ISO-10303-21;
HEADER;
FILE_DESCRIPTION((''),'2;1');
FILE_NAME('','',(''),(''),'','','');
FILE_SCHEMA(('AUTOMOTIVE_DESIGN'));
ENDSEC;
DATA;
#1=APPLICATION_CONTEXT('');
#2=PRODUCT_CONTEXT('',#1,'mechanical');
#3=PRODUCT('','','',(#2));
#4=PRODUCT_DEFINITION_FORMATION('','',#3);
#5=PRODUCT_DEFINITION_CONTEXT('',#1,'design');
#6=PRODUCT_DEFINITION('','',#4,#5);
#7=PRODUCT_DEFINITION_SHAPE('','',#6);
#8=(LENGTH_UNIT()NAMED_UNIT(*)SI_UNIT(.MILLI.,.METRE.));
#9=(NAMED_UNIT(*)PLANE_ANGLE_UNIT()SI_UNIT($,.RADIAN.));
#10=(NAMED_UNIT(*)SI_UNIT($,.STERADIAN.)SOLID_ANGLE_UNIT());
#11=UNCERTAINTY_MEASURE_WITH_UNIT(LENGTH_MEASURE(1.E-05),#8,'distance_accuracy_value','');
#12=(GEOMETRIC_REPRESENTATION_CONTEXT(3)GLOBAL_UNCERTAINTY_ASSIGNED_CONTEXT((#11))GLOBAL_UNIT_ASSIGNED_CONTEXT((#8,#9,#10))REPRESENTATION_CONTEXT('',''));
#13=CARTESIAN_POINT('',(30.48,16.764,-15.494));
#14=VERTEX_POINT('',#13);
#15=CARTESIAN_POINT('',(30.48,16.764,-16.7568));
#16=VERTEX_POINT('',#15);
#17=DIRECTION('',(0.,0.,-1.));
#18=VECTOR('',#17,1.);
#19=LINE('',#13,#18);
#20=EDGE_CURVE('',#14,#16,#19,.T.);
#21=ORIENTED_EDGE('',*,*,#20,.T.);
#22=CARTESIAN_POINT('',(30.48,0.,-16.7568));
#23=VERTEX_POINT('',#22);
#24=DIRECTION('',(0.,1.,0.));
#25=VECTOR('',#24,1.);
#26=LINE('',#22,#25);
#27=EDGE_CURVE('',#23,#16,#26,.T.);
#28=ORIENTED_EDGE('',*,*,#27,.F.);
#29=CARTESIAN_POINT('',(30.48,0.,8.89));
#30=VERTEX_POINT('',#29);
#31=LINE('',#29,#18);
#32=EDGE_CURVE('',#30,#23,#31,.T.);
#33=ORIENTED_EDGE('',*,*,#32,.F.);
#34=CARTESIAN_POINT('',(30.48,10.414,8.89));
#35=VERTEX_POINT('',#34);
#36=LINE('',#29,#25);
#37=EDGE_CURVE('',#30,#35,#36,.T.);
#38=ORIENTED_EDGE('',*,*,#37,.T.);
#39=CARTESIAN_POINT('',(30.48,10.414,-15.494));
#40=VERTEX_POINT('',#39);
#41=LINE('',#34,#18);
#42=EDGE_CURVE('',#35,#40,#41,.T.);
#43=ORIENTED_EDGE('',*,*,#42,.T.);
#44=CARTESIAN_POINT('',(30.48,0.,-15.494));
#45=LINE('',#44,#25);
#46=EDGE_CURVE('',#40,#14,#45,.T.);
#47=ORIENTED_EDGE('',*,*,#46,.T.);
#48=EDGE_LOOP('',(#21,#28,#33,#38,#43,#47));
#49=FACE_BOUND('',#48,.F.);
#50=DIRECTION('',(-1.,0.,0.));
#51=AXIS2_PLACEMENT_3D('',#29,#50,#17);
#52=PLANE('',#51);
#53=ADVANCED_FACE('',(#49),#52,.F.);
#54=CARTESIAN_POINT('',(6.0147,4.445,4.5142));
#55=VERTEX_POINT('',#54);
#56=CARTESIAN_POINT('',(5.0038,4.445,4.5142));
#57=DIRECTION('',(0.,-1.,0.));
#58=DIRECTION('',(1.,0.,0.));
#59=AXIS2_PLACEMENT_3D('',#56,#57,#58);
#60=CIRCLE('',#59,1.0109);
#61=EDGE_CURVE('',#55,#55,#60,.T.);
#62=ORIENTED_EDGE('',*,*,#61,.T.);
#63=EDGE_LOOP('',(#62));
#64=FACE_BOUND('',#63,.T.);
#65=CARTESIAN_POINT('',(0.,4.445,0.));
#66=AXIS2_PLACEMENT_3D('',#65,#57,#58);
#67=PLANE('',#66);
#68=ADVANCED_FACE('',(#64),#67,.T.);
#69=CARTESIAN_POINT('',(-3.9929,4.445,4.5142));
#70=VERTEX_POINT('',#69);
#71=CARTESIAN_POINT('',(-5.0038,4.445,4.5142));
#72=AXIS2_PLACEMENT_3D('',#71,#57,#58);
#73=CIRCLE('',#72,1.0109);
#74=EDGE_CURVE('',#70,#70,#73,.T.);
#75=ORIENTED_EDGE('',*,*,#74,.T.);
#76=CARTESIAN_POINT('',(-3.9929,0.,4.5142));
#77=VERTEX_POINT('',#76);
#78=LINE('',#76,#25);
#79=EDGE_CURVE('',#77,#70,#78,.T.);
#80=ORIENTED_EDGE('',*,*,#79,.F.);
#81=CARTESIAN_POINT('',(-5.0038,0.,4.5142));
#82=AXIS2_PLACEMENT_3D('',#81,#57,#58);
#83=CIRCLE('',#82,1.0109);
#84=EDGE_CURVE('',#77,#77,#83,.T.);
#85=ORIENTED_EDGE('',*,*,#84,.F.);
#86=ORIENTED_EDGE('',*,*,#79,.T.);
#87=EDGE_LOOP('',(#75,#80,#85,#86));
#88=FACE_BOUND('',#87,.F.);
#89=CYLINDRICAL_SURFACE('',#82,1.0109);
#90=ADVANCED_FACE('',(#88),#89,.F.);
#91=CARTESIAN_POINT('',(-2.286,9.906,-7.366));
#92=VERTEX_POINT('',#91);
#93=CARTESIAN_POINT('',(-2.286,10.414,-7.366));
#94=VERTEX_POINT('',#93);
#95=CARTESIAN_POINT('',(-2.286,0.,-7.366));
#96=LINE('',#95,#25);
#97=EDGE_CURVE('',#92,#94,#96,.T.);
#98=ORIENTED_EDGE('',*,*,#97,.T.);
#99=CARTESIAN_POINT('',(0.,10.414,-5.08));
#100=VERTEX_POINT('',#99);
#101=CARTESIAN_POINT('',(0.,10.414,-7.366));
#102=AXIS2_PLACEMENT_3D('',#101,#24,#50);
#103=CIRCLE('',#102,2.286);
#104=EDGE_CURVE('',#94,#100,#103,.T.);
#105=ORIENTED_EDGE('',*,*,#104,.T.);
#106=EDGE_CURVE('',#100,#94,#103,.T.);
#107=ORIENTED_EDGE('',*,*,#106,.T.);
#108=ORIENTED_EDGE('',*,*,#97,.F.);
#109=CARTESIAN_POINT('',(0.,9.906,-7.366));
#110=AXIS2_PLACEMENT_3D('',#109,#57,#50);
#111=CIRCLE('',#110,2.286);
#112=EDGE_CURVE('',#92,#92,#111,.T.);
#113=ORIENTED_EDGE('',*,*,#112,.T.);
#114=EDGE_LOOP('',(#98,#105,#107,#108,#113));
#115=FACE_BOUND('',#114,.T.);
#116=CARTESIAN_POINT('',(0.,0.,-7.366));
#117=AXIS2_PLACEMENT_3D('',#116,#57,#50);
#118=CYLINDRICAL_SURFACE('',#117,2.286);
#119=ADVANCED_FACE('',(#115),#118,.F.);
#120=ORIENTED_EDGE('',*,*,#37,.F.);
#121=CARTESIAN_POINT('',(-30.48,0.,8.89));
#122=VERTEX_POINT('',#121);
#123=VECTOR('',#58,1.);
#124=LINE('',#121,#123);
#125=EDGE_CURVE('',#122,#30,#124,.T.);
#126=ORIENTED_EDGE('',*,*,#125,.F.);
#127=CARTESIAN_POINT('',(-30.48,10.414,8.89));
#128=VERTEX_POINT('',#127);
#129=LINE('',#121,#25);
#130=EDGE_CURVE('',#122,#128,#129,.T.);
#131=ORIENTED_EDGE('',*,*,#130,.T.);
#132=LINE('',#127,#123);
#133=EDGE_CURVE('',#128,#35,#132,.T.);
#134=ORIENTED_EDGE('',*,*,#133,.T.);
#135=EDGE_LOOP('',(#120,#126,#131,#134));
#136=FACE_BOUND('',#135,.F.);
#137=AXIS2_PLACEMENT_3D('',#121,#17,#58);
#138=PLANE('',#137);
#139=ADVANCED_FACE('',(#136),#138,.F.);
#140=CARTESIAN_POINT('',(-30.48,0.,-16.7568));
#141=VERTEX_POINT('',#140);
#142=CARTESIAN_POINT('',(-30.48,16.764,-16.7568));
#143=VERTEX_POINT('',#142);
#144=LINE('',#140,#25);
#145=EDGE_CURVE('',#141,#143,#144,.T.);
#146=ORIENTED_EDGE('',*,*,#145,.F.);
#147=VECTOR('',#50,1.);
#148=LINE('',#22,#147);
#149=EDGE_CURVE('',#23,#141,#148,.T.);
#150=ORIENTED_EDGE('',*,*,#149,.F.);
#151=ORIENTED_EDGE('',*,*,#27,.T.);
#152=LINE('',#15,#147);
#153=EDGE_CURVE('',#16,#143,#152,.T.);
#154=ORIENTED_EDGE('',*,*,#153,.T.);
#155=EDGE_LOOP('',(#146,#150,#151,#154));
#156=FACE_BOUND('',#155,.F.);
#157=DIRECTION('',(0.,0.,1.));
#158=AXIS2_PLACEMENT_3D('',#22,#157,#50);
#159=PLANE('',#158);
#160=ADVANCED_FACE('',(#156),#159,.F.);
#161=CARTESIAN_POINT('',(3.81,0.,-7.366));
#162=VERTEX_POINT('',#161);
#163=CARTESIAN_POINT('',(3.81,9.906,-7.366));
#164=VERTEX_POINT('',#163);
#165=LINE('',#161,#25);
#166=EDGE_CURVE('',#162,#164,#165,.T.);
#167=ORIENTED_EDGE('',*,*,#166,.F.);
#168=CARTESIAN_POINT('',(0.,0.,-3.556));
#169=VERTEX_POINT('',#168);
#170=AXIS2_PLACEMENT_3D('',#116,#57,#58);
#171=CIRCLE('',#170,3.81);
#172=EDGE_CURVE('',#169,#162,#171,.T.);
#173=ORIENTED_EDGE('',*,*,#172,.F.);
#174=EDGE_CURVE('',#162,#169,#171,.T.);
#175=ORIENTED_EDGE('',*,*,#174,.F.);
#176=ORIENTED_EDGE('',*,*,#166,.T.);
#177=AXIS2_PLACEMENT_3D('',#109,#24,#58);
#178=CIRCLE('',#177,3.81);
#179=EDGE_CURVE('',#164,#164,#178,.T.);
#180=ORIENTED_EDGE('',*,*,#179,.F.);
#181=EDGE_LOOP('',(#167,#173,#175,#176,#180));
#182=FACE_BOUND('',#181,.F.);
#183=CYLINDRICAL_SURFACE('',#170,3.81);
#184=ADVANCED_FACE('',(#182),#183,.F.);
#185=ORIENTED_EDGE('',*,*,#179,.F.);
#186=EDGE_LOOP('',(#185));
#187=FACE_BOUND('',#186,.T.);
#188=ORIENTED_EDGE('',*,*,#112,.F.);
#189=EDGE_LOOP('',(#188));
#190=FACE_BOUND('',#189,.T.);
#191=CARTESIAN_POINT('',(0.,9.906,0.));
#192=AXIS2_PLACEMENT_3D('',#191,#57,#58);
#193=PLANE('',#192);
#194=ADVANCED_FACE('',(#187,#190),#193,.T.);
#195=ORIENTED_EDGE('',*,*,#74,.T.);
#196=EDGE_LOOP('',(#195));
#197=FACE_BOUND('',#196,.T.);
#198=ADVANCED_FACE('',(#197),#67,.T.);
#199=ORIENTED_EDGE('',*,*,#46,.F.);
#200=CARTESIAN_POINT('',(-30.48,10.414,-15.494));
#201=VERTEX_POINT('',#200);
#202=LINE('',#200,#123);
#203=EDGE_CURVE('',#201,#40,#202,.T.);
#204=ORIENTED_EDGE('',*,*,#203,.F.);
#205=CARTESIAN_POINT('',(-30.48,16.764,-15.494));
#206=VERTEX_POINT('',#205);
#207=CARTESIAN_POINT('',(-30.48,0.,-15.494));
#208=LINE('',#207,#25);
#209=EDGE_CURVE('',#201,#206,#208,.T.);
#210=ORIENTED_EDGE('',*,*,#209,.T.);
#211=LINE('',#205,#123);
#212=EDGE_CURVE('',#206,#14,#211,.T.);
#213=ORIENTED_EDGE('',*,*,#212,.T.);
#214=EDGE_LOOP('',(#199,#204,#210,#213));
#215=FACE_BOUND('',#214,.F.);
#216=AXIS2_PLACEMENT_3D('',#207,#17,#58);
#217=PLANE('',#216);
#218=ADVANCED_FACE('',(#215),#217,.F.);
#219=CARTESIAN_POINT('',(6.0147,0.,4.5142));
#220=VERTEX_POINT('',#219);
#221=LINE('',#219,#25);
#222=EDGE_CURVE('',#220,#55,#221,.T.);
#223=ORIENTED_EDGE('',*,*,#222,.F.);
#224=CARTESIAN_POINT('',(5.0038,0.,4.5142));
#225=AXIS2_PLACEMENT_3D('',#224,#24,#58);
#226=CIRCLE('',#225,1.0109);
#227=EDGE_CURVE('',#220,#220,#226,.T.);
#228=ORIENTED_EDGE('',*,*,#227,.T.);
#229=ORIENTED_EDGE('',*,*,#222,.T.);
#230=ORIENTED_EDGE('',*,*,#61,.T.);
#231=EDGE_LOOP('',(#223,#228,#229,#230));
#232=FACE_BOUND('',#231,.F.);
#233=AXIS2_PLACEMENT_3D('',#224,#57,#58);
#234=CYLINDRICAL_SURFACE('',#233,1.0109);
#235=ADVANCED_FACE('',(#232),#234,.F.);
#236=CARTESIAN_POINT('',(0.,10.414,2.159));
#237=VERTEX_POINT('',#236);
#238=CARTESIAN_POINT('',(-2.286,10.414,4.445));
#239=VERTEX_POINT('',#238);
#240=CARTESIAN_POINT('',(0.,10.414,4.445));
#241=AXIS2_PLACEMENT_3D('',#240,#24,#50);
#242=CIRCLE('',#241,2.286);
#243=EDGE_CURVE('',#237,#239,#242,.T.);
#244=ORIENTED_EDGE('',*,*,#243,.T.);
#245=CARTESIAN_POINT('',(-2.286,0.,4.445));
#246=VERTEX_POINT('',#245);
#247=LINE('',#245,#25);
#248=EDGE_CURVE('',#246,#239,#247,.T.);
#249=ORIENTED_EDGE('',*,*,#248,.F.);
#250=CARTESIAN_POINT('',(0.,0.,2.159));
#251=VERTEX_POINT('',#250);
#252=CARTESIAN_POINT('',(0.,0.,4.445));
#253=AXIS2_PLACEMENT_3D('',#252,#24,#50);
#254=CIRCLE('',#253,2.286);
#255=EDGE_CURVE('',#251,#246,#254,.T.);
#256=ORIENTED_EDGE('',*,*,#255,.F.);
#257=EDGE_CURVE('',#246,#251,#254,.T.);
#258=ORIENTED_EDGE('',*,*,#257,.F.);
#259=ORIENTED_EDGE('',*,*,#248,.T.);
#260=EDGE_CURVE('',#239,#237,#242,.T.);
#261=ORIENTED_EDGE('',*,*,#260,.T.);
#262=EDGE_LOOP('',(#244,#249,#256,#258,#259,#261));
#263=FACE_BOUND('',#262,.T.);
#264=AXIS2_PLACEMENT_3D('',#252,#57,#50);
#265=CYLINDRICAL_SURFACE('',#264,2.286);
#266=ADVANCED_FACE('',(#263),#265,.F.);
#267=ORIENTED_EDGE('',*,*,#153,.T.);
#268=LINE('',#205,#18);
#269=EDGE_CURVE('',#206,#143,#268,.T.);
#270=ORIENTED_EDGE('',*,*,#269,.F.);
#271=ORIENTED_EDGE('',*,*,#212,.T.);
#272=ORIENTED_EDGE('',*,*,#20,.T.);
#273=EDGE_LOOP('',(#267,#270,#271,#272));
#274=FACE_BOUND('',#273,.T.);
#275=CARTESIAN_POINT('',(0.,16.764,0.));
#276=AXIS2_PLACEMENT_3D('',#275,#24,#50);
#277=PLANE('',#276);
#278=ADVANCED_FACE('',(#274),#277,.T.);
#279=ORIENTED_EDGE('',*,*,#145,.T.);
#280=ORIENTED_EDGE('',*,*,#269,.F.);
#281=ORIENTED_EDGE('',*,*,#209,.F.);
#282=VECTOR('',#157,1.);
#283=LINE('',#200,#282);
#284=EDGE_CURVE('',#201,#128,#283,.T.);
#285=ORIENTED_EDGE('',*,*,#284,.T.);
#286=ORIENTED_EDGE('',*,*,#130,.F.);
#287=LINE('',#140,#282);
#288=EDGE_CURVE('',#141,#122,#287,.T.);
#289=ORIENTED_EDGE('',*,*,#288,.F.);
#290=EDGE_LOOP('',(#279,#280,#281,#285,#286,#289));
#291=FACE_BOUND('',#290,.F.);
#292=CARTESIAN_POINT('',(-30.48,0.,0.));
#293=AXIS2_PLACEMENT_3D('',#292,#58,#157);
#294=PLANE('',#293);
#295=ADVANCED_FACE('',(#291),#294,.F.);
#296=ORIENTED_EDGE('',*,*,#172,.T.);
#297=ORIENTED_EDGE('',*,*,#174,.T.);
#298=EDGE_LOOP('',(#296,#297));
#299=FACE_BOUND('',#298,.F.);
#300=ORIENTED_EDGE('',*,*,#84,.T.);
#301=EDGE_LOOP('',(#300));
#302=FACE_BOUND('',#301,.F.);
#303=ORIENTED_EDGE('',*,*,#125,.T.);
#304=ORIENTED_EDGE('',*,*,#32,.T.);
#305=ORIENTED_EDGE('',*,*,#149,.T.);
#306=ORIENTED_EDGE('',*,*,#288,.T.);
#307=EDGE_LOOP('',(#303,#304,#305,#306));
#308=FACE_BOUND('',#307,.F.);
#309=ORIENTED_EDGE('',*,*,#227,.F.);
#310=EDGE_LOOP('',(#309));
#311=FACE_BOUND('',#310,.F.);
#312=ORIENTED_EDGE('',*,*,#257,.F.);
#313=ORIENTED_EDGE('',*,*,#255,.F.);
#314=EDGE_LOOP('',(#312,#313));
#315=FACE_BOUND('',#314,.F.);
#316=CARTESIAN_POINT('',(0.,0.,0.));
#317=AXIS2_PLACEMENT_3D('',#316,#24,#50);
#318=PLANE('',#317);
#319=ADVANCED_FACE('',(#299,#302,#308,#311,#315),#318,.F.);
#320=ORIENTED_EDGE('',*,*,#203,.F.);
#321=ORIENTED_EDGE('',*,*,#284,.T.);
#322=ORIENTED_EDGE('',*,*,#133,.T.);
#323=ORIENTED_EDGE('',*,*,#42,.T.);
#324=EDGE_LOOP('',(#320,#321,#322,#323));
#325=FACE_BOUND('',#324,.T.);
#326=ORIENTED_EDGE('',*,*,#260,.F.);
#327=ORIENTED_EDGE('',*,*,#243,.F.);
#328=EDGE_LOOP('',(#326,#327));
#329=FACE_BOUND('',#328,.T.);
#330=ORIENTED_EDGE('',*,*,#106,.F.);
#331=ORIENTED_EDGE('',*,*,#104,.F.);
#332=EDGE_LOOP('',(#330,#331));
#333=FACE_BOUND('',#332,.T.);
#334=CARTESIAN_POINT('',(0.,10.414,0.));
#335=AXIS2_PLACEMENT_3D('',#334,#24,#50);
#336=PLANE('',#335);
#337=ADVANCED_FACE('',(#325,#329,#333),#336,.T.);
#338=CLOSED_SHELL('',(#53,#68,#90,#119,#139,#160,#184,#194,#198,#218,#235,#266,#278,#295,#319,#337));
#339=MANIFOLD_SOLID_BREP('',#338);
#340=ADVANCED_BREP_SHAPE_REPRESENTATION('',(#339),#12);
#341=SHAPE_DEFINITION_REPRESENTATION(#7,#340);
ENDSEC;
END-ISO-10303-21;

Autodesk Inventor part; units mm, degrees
ref_plane "YZ Plane" through (0, 0, 0) normal (1, 0, 0) x (0, 1, 0)
ref_plane "XZ Plane" through (0, 0, 0) normal (0, 1, 0) x (-1, 0, 0)
ref_plane "XY Plane" through (0, 0, 0) normal (0, 0, 1) x (1, 0, 0)
sketch "Sketch1" plane through (0, 0, 0) normal (0, 1, 0) x (-1, 0, 0)
  line L0 (0, 0) -> (30.48, 0)
  line L1 (30.48, 0) -> (-30.48, 0)
  line L2 (-30.48, 0) -> (-30.48, -15.748)
  line L3 (-30.48, -15.748) -> (30.48, -15.748)
  line L4 (30.48, -15.748) -> (30.48, 0)
  line L5 (30.48, -15.748) -> (30.48, -15.494)
  line L6 (30.48, -15.494) -> (-30.48, -15.494)
  line L7 (0, 0) -> (0, -7.366)
  circle A0 centre (0, -7.366) radius 2.286
  line L8 (30.48, 0) -> (30.48, 8.89)
  line L9 (30.48, 8.89) -> (-30.48, 8.89)
  line L10 (-30.48, 8.89) -> (-30.48, 0)
  line L11 (30.48, 0) -> (-30.48, 0)
  line L12 (0, 0) -> (0, 4.445)
  circle A1 centre (0, 4.445) radius 2.286
  line L13 (30.48, -15.748) -> (-30.48, -15.748)
  line L14 (-30.48, -15.748) -> (-30.48, -16.7568)
  line L15 (-30.48, -16.7568) -> (30.48, -16.7568)
  line L16 (30.48, -16.7568) -> (30.48, -15.748)
  dimension "d0" = 30.48
  dimension "d1" = 60.96
  dimension "d2" = 15.748
  dimension "d3" = 0.254
  dimension "d4" = 7.366
  dimension "d5" = 4.572
  dimension "d14" = 8.89
  dimension "d15" = 4.572
extrude "Extrusion1" add sketch "Sketch1" along normal blind 10.414 contours L0 L4 L6 L2 L1
extrude "Extrusion2" add sketch "Sketch1" along normal blind 16.764 contours L4 L3 L2 L6 | L16 L15 L14 L3
sketch "Sketch2" plane through (0, 0, 0) normal (0, -1, 0) x (1, 0, 0)
  line L0 (0, 0) -> (0, -7.366)
  circle A0 centre (0, -7.366) radius 3.81
  dimension "d10" = 7.366
  dimension "d11" = 7.62
extrude "Extrusion3" cut sketch "Sketch2" against normal blind 9.906
extrude "Extrusion4" add sketch "Sketch1" along normal blind 10.414 contours L1 L10 L9 L8 L0
sketch "Sketch3" plane through (0, 0, 0) normal (0, -1, 0) x (1, 0, 0)
  line L0 (0, 4.5142) -> (5.0038, 4.5142)
  line L1 (0, 4.5142) -> (-5.0038, 4.5142)
  circle A0 centre (5.0038, 4.5142) radius 1.0109
  circle A1 centre (-5.0038, 4.5142) radius 1.0109
  point P0 (0, 0)
  dimension "d18" = 5.0038
  dimension "d19" = 5.0038
  dimension "d20" = 2.0218
  dimension "d21" = 2.0218
extrude "Extrusion5" cut sketch "Sketch3" against normal blind 4.445
properties part number "RotationMounttoPolarisPinAdapter"
